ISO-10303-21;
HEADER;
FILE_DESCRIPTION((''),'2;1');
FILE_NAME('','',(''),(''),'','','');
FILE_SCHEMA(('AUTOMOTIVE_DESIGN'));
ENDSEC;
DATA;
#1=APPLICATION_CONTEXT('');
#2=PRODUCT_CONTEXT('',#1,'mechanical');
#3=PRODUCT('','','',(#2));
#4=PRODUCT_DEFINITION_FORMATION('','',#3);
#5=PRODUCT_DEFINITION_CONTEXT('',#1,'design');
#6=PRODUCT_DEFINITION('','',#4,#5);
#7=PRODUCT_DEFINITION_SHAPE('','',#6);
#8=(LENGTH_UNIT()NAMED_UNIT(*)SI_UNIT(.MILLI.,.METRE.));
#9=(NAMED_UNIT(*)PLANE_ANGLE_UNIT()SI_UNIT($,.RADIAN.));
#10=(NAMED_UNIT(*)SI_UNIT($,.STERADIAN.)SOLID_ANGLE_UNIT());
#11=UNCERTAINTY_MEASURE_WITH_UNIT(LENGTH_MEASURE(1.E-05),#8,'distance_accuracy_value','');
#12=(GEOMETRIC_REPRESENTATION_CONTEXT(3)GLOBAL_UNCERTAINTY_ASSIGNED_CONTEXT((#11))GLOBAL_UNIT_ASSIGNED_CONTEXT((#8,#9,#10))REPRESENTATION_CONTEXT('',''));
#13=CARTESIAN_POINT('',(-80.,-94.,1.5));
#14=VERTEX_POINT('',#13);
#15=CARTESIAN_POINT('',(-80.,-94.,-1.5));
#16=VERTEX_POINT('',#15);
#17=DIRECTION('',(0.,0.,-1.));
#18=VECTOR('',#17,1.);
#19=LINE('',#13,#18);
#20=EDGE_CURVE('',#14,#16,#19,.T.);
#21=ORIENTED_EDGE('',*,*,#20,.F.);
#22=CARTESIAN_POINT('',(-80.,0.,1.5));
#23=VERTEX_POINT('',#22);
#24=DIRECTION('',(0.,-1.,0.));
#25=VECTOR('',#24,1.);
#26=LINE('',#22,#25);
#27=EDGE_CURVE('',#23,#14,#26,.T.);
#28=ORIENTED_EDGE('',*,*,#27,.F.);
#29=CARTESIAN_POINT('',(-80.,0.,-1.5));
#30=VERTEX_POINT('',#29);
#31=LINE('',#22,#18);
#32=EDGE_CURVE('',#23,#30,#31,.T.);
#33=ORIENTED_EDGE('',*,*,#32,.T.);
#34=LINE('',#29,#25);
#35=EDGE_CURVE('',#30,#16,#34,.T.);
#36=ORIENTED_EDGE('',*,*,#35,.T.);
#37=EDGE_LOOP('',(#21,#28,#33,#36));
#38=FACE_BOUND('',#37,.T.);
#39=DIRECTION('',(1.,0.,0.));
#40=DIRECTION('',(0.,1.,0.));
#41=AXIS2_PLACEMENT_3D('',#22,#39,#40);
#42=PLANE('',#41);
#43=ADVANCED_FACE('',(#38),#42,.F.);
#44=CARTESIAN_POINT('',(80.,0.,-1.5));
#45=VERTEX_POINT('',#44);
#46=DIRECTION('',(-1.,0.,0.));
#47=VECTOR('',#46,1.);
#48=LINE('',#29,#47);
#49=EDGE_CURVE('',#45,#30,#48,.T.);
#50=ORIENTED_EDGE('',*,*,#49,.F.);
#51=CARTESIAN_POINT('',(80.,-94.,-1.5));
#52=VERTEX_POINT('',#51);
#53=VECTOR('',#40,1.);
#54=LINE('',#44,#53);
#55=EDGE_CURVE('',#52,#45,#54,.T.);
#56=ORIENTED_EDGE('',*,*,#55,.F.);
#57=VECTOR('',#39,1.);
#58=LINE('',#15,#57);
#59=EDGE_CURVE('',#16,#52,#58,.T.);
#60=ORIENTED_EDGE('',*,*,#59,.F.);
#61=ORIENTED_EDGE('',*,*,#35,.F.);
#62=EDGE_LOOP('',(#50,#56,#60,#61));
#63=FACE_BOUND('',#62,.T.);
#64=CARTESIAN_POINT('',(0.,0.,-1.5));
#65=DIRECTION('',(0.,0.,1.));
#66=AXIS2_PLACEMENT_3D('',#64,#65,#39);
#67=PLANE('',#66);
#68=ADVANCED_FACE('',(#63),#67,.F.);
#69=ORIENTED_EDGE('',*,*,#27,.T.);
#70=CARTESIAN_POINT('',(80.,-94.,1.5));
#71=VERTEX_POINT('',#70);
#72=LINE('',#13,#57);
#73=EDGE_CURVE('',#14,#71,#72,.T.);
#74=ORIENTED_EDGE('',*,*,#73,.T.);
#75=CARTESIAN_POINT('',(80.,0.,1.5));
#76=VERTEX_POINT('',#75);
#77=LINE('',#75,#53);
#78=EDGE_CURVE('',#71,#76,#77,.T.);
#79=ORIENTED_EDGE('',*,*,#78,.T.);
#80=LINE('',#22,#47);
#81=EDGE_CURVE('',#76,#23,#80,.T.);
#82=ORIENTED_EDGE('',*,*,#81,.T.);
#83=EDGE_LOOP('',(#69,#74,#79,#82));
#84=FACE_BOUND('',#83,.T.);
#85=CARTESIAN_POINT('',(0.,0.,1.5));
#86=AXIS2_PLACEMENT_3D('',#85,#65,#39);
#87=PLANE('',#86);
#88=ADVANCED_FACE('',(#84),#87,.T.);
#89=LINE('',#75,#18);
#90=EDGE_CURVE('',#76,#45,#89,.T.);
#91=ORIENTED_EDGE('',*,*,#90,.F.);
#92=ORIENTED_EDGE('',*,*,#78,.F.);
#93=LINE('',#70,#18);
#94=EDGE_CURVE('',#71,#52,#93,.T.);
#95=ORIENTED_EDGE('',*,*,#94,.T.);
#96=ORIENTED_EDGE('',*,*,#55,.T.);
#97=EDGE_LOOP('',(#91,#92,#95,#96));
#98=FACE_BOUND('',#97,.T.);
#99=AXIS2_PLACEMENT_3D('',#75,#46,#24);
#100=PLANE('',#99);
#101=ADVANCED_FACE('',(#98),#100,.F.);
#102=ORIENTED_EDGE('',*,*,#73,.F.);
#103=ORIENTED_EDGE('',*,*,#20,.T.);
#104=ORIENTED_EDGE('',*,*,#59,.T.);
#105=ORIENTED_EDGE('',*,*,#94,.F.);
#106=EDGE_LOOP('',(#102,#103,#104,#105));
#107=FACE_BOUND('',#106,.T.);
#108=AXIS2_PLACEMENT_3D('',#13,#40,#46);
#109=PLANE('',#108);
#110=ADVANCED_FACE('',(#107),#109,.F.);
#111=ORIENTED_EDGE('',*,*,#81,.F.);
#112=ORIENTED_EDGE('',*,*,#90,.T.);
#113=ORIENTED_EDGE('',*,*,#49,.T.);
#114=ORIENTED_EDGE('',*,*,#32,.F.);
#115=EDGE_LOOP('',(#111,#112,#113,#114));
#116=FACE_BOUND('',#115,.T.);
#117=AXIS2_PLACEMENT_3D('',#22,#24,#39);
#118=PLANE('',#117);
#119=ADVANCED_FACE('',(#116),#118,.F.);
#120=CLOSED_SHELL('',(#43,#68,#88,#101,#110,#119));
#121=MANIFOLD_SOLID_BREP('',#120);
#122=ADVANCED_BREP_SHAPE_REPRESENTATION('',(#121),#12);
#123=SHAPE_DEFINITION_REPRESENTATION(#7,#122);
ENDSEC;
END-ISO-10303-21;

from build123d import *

# Parameters (mm, degrees)
SKETCH1_W           = 160
SKETCH1_H           = 94
BOSS_EXTRUDE1_DEPTH = 1.5


with BuildPart() as part:
    # Sketch1 → Boss-Extrude1 (new, symmetric)
    with BuildSketch(Plane.XY):
        with Locations((0, -47)):
            Rectangle(SKETCH1_W, SKETCH1_H)
    extrude(amount=BOSS_EXTRUDE1_DEPTH, both=True)


solid = part.part
